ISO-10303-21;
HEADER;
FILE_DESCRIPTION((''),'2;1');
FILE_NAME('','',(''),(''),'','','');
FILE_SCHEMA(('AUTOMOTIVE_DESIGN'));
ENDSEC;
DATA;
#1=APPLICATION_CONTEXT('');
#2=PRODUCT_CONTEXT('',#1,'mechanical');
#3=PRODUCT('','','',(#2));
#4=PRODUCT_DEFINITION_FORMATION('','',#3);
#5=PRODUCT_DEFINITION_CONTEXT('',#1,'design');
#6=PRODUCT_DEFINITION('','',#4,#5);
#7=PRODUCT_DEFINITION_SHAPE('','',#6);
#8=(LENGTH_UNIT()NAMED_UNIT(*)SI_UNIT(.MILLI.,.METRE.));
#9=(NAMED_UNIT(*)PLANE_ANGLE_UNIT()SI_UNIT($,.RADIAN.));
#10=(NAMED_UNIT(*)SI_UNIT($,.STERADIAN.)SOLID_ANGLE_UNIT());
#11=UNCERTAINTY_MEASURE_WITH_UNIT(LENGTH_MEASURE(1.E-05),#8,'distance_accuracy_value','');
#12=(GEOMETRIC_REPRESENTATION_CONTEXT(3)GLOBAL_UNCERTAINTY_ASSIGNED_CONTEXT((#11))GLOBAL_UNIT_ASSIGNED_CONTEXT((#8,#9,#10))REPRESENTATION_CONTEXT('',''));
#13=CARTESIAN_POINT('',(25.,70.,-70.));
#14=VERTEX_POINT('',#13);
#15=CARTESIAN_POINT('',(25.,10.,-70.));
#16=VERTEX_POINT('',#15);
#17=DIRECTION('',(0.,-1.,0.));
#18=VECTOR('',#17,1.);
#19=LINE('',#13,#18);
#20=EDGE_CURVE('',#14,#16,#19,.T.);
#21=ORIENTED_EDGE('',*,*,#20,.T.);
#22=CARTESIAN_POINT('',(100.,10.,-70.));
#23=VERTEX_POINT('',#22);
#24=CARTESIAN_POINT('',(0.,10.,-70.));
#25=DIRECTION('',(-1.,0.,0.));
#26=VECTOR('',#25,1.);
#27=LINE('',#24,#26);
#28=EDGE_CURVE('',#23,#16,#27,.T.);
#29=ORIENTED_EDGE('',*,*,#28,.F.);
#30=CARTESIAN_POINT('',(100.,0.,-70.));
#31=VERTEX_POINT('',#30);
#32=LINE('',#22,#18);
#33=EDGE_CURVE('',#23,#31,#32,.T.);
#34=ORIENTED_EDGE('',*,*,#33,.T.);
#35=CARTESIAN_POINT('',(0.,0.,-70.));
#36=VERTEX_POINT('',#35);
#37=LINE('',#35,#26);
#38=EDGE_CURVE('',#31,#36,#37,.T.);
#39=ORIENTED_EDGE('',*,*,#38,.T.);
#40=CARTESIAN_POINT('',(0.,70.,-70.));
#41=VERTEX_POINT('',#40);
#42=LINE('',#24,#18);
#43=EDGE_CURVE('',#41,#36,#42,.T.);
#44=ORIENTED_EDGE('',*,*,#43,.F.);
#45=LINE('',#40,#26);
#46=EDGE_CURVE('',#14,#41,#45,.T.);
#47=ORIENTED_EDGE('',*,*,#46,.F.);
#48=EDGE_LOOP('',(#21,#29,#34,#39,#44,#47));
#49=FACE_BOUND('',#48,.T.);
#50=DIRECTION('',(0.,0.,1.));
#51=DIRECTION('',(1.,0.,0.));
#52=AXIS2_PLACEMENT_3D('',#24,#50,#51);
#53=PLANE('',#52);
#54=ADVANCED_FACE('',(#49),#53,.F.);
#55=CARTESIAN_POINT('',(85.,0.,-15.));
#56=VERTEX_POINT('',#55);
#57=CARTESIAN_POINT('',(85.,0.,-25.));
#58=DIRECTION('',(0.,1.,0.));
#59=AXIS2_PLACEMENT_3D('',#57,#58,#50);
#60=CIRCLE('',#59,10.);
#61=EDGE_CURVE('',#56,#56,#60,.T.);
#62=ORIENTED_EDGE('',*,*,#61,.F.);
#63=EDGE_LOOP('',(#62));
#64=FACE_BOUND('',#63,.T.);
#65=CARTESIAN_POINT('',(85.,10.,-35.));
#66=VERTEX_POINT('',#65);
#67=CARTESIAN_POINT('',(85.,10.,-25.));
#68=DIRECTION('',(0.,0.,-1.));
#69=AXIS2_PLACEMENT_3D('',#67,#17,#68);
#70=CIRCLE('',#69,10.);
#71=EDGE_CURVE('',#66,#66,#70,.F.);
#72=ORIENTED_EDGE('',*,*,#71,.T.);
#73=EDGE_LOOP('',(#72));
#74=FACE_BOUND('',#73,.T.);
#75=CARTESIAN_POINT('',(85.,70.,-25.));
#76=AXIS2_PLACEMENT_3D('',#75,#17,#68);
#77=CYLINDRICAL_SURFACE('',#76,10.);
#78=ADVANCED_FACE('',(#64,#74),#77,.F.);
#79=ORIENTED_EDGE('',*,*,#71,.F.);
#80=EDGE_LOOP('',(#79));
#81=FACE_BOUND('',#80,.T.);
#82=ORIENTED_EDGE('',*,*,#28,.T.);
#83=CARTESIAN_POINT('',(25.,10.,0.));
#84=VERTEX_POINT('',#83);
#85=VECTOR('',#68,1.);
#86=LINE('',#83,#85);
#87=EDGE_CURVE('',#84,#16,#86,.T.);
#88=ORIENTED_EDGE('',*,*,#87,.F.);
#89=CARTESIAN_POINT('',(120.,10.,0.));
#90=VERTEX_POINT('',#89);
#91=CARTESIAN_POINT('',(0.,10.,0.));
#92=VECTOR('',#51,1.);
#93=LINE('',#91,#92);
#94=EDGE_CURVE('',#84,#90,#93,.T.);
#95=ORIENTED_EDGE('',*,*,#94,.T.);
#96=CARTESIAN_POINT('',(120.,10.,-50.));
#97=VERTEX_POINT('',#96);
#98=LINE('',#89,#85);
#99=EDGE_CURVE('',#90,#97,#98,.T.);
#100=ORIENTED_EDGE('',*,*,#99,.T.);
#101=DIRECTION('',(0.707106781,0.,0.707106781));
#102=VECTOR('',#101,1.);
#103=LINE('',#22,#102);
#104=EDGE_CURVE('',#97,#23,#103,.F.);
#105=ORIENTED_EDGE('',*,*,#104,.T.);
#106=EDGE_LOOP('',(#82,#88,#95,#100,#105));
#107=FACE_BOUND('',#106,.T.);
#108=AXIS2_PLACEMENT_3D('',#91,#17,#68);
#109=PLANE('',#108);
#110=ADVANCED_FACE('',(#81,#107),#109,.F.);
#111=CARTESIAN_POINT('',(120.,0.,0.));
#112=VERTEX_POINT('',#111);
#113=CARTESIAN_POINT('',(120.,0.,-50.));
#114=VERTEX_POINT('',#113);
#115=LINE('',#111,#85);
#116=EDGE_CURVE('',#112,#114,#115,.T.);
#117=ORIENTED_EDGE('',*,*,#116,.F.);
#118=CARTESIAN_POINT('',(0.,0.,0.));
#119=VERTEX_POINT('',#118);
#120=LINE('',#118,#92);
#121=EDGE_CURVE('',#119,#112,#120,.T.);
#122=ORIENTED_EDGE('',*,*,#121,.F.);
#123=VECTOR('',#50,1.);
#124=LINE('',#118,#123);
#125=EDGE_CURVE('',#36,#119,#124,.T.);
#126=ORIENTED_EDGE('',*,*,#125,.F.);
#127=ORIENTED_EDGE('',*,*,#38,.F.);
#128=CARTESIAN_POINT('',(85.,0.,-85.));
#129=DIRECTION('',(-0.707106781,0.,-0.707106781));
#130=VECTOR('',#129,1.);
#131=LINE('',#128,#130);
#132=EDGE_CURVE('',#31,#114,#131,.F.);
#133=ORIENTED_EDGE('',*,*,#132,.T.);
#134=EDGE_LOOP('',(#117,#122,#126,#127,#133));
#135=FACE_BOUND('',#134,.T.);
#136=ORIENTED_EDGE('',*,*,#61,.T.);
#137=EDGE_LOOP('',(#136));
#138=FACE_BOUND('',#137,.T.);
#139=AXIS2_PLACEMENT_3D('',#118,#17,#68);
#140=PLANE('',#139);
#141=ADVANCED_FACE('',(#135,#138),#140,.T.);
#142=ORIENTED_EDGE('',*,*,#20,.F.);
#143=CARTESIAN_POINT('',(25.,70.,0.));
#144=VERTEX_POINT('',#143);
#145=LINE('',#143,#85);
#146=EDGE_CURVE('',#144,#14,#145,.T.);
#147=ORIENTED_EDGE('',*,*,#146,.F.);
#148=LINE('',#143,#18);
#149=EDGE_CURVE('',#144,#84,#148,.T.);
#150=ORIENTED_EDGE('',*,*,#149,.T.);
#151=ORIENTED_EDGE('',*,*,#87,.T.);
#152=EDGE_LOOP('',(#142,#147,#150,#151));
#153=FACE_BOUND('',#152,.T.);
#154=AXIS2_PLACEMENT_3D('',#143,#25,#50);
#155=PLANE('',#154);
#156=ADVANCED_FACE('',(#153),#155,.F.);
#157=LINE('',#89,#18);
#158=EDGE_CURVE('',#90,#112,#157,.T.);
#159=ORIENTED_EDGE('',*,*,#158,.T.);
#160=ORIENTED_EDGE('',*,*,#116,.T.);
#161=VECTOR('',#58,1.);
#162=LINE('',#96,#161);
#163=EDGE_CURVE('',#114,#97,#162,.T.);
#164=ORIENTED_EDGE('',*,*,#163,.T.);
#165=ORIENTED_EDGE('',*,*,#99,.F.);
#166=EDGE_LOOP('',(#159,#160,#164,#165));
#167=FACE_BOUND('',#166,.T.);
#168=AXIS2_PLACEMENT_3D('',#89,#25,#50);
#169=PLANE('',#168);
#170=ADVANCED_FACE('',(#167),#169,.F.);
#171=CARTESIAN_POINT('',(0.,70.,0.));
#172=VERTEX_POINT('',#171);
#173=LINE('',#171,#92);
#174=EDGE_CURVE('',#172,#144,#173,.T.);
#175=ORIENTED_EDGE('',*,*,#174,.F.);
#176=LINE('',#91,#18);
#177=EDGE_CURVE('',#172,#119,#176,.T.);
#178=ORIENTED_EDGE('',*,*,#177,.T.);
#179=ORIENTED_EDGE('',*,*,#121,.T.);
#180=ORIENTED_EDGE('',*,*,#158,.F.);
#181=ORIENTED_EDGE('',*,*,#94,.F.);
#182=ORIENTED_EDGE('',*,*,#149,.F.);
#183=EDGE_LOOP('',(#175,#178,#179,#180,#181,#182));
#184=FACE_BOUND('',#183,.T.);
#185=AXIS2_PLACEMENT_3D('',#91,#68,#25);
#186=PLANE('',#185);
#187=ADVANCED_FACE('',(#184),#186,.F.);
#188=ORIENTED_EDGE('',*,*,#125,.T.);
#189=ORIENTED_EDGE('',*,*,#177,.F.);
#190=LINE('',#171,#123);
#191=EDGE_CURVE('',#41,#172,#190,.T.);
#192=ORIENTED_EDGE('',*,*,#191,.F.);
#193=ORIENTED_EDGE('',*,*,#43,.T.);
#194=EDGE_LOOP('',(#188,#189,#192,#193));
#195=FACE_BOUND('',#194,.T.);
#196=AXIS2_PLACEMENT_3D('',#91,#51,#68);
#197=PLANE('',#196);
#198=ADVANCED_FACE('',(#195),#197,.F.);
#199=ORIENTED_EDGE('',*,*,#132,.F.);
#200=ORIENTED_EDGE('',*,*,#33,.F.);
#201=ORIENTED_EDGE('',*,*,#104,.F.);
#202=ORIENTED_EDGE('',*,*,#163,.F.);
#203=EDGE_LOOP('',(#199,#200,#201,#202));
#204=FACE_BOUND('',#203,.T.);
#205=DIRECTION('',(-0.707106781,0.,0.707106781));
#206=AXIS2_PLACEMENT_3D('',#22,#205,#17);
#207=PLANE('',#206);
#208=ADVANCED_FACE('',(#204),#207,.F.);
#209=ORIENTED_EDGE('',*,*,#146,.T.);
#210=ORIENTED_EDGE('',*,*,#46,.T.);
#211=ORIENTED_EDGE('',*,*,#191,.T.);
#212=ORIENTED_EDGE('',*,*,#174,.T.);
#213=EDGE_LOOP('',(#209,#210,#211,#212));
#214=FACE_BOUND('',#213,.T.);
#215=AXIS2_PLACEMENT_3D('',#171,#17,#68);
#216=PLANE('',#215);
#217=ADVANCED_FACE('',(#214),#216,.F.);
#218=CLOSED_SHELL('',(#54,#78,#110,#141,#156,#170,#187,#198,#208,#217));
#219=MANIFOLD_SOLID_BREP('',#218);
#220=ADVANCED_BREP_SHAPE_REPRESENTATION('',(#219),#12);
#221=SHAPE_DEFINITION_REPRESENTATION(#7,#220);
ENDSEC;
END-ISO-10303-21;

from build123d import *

# Parameters (mm, degrees)
SKETCH1_W           = 120
SKETCH1_H           = 70
BOSS_EXTRUDE1_DEPTH = 10
SKETCH2_W           = 25
SKETCH2_H           = 70
BOSS_EXTRUDE2_DEPTH = 60
SKETCH3_R           = 10
CUT_EXTRUDE1_DEPTH  = 156.563491861
CHAMFER1_SIZE       = 20


with BuildPart() as part:
    # Sketch1 → Boss-Extrude1 (new body)
    with BuildSketch(Plane(origin=(0, 0, 0), x_dir=(1, 0, 0), z_dir=(0, 1, 0))):
        with Locations((60, 35)):
            Rectangle(SKETCH1_W, SKETCH1_H)
    extrude(amount=BOSS_EXTRUDE1_DEPTH)

    # Sketch2 → Boss-Extrude2 (add)
    with BuildSketch(Plane(origin=(0, 10, 0), x_dir=(1, 0, 0), z_dir=(0, 1, 0))):
        with Locations((12.5, 35)):
            Rectangle(SKETCH2_W, SKETCH2_H)
    extrude(amount=BOSS_EXTRUDE2_DEPTH)

    # Sketch3 → Cut-Extrude1 (cut, through all)
    with BuildSketch(Plane(origin=(0, 0, 0), x_dir=(1, 0, 0), z_dir=(0, 1, 0))):
        with Locations(Location((85, 25, 0), (0, 0, 90))):
            Circle(SKETCH3_R)
    extrude(amount=CUT_EXTRUDE1_DEPTH, mode=Mode.SUBTRACT)

    # Chamfer1
    chamfer1_edges = [part.edges().sort_by_distance(p)[0] for p in [
        (120, 5, -70),
    ]]
    chamfer(chamfer1_edges, length=CHAMFER1_SIZE)


solid = part.part
